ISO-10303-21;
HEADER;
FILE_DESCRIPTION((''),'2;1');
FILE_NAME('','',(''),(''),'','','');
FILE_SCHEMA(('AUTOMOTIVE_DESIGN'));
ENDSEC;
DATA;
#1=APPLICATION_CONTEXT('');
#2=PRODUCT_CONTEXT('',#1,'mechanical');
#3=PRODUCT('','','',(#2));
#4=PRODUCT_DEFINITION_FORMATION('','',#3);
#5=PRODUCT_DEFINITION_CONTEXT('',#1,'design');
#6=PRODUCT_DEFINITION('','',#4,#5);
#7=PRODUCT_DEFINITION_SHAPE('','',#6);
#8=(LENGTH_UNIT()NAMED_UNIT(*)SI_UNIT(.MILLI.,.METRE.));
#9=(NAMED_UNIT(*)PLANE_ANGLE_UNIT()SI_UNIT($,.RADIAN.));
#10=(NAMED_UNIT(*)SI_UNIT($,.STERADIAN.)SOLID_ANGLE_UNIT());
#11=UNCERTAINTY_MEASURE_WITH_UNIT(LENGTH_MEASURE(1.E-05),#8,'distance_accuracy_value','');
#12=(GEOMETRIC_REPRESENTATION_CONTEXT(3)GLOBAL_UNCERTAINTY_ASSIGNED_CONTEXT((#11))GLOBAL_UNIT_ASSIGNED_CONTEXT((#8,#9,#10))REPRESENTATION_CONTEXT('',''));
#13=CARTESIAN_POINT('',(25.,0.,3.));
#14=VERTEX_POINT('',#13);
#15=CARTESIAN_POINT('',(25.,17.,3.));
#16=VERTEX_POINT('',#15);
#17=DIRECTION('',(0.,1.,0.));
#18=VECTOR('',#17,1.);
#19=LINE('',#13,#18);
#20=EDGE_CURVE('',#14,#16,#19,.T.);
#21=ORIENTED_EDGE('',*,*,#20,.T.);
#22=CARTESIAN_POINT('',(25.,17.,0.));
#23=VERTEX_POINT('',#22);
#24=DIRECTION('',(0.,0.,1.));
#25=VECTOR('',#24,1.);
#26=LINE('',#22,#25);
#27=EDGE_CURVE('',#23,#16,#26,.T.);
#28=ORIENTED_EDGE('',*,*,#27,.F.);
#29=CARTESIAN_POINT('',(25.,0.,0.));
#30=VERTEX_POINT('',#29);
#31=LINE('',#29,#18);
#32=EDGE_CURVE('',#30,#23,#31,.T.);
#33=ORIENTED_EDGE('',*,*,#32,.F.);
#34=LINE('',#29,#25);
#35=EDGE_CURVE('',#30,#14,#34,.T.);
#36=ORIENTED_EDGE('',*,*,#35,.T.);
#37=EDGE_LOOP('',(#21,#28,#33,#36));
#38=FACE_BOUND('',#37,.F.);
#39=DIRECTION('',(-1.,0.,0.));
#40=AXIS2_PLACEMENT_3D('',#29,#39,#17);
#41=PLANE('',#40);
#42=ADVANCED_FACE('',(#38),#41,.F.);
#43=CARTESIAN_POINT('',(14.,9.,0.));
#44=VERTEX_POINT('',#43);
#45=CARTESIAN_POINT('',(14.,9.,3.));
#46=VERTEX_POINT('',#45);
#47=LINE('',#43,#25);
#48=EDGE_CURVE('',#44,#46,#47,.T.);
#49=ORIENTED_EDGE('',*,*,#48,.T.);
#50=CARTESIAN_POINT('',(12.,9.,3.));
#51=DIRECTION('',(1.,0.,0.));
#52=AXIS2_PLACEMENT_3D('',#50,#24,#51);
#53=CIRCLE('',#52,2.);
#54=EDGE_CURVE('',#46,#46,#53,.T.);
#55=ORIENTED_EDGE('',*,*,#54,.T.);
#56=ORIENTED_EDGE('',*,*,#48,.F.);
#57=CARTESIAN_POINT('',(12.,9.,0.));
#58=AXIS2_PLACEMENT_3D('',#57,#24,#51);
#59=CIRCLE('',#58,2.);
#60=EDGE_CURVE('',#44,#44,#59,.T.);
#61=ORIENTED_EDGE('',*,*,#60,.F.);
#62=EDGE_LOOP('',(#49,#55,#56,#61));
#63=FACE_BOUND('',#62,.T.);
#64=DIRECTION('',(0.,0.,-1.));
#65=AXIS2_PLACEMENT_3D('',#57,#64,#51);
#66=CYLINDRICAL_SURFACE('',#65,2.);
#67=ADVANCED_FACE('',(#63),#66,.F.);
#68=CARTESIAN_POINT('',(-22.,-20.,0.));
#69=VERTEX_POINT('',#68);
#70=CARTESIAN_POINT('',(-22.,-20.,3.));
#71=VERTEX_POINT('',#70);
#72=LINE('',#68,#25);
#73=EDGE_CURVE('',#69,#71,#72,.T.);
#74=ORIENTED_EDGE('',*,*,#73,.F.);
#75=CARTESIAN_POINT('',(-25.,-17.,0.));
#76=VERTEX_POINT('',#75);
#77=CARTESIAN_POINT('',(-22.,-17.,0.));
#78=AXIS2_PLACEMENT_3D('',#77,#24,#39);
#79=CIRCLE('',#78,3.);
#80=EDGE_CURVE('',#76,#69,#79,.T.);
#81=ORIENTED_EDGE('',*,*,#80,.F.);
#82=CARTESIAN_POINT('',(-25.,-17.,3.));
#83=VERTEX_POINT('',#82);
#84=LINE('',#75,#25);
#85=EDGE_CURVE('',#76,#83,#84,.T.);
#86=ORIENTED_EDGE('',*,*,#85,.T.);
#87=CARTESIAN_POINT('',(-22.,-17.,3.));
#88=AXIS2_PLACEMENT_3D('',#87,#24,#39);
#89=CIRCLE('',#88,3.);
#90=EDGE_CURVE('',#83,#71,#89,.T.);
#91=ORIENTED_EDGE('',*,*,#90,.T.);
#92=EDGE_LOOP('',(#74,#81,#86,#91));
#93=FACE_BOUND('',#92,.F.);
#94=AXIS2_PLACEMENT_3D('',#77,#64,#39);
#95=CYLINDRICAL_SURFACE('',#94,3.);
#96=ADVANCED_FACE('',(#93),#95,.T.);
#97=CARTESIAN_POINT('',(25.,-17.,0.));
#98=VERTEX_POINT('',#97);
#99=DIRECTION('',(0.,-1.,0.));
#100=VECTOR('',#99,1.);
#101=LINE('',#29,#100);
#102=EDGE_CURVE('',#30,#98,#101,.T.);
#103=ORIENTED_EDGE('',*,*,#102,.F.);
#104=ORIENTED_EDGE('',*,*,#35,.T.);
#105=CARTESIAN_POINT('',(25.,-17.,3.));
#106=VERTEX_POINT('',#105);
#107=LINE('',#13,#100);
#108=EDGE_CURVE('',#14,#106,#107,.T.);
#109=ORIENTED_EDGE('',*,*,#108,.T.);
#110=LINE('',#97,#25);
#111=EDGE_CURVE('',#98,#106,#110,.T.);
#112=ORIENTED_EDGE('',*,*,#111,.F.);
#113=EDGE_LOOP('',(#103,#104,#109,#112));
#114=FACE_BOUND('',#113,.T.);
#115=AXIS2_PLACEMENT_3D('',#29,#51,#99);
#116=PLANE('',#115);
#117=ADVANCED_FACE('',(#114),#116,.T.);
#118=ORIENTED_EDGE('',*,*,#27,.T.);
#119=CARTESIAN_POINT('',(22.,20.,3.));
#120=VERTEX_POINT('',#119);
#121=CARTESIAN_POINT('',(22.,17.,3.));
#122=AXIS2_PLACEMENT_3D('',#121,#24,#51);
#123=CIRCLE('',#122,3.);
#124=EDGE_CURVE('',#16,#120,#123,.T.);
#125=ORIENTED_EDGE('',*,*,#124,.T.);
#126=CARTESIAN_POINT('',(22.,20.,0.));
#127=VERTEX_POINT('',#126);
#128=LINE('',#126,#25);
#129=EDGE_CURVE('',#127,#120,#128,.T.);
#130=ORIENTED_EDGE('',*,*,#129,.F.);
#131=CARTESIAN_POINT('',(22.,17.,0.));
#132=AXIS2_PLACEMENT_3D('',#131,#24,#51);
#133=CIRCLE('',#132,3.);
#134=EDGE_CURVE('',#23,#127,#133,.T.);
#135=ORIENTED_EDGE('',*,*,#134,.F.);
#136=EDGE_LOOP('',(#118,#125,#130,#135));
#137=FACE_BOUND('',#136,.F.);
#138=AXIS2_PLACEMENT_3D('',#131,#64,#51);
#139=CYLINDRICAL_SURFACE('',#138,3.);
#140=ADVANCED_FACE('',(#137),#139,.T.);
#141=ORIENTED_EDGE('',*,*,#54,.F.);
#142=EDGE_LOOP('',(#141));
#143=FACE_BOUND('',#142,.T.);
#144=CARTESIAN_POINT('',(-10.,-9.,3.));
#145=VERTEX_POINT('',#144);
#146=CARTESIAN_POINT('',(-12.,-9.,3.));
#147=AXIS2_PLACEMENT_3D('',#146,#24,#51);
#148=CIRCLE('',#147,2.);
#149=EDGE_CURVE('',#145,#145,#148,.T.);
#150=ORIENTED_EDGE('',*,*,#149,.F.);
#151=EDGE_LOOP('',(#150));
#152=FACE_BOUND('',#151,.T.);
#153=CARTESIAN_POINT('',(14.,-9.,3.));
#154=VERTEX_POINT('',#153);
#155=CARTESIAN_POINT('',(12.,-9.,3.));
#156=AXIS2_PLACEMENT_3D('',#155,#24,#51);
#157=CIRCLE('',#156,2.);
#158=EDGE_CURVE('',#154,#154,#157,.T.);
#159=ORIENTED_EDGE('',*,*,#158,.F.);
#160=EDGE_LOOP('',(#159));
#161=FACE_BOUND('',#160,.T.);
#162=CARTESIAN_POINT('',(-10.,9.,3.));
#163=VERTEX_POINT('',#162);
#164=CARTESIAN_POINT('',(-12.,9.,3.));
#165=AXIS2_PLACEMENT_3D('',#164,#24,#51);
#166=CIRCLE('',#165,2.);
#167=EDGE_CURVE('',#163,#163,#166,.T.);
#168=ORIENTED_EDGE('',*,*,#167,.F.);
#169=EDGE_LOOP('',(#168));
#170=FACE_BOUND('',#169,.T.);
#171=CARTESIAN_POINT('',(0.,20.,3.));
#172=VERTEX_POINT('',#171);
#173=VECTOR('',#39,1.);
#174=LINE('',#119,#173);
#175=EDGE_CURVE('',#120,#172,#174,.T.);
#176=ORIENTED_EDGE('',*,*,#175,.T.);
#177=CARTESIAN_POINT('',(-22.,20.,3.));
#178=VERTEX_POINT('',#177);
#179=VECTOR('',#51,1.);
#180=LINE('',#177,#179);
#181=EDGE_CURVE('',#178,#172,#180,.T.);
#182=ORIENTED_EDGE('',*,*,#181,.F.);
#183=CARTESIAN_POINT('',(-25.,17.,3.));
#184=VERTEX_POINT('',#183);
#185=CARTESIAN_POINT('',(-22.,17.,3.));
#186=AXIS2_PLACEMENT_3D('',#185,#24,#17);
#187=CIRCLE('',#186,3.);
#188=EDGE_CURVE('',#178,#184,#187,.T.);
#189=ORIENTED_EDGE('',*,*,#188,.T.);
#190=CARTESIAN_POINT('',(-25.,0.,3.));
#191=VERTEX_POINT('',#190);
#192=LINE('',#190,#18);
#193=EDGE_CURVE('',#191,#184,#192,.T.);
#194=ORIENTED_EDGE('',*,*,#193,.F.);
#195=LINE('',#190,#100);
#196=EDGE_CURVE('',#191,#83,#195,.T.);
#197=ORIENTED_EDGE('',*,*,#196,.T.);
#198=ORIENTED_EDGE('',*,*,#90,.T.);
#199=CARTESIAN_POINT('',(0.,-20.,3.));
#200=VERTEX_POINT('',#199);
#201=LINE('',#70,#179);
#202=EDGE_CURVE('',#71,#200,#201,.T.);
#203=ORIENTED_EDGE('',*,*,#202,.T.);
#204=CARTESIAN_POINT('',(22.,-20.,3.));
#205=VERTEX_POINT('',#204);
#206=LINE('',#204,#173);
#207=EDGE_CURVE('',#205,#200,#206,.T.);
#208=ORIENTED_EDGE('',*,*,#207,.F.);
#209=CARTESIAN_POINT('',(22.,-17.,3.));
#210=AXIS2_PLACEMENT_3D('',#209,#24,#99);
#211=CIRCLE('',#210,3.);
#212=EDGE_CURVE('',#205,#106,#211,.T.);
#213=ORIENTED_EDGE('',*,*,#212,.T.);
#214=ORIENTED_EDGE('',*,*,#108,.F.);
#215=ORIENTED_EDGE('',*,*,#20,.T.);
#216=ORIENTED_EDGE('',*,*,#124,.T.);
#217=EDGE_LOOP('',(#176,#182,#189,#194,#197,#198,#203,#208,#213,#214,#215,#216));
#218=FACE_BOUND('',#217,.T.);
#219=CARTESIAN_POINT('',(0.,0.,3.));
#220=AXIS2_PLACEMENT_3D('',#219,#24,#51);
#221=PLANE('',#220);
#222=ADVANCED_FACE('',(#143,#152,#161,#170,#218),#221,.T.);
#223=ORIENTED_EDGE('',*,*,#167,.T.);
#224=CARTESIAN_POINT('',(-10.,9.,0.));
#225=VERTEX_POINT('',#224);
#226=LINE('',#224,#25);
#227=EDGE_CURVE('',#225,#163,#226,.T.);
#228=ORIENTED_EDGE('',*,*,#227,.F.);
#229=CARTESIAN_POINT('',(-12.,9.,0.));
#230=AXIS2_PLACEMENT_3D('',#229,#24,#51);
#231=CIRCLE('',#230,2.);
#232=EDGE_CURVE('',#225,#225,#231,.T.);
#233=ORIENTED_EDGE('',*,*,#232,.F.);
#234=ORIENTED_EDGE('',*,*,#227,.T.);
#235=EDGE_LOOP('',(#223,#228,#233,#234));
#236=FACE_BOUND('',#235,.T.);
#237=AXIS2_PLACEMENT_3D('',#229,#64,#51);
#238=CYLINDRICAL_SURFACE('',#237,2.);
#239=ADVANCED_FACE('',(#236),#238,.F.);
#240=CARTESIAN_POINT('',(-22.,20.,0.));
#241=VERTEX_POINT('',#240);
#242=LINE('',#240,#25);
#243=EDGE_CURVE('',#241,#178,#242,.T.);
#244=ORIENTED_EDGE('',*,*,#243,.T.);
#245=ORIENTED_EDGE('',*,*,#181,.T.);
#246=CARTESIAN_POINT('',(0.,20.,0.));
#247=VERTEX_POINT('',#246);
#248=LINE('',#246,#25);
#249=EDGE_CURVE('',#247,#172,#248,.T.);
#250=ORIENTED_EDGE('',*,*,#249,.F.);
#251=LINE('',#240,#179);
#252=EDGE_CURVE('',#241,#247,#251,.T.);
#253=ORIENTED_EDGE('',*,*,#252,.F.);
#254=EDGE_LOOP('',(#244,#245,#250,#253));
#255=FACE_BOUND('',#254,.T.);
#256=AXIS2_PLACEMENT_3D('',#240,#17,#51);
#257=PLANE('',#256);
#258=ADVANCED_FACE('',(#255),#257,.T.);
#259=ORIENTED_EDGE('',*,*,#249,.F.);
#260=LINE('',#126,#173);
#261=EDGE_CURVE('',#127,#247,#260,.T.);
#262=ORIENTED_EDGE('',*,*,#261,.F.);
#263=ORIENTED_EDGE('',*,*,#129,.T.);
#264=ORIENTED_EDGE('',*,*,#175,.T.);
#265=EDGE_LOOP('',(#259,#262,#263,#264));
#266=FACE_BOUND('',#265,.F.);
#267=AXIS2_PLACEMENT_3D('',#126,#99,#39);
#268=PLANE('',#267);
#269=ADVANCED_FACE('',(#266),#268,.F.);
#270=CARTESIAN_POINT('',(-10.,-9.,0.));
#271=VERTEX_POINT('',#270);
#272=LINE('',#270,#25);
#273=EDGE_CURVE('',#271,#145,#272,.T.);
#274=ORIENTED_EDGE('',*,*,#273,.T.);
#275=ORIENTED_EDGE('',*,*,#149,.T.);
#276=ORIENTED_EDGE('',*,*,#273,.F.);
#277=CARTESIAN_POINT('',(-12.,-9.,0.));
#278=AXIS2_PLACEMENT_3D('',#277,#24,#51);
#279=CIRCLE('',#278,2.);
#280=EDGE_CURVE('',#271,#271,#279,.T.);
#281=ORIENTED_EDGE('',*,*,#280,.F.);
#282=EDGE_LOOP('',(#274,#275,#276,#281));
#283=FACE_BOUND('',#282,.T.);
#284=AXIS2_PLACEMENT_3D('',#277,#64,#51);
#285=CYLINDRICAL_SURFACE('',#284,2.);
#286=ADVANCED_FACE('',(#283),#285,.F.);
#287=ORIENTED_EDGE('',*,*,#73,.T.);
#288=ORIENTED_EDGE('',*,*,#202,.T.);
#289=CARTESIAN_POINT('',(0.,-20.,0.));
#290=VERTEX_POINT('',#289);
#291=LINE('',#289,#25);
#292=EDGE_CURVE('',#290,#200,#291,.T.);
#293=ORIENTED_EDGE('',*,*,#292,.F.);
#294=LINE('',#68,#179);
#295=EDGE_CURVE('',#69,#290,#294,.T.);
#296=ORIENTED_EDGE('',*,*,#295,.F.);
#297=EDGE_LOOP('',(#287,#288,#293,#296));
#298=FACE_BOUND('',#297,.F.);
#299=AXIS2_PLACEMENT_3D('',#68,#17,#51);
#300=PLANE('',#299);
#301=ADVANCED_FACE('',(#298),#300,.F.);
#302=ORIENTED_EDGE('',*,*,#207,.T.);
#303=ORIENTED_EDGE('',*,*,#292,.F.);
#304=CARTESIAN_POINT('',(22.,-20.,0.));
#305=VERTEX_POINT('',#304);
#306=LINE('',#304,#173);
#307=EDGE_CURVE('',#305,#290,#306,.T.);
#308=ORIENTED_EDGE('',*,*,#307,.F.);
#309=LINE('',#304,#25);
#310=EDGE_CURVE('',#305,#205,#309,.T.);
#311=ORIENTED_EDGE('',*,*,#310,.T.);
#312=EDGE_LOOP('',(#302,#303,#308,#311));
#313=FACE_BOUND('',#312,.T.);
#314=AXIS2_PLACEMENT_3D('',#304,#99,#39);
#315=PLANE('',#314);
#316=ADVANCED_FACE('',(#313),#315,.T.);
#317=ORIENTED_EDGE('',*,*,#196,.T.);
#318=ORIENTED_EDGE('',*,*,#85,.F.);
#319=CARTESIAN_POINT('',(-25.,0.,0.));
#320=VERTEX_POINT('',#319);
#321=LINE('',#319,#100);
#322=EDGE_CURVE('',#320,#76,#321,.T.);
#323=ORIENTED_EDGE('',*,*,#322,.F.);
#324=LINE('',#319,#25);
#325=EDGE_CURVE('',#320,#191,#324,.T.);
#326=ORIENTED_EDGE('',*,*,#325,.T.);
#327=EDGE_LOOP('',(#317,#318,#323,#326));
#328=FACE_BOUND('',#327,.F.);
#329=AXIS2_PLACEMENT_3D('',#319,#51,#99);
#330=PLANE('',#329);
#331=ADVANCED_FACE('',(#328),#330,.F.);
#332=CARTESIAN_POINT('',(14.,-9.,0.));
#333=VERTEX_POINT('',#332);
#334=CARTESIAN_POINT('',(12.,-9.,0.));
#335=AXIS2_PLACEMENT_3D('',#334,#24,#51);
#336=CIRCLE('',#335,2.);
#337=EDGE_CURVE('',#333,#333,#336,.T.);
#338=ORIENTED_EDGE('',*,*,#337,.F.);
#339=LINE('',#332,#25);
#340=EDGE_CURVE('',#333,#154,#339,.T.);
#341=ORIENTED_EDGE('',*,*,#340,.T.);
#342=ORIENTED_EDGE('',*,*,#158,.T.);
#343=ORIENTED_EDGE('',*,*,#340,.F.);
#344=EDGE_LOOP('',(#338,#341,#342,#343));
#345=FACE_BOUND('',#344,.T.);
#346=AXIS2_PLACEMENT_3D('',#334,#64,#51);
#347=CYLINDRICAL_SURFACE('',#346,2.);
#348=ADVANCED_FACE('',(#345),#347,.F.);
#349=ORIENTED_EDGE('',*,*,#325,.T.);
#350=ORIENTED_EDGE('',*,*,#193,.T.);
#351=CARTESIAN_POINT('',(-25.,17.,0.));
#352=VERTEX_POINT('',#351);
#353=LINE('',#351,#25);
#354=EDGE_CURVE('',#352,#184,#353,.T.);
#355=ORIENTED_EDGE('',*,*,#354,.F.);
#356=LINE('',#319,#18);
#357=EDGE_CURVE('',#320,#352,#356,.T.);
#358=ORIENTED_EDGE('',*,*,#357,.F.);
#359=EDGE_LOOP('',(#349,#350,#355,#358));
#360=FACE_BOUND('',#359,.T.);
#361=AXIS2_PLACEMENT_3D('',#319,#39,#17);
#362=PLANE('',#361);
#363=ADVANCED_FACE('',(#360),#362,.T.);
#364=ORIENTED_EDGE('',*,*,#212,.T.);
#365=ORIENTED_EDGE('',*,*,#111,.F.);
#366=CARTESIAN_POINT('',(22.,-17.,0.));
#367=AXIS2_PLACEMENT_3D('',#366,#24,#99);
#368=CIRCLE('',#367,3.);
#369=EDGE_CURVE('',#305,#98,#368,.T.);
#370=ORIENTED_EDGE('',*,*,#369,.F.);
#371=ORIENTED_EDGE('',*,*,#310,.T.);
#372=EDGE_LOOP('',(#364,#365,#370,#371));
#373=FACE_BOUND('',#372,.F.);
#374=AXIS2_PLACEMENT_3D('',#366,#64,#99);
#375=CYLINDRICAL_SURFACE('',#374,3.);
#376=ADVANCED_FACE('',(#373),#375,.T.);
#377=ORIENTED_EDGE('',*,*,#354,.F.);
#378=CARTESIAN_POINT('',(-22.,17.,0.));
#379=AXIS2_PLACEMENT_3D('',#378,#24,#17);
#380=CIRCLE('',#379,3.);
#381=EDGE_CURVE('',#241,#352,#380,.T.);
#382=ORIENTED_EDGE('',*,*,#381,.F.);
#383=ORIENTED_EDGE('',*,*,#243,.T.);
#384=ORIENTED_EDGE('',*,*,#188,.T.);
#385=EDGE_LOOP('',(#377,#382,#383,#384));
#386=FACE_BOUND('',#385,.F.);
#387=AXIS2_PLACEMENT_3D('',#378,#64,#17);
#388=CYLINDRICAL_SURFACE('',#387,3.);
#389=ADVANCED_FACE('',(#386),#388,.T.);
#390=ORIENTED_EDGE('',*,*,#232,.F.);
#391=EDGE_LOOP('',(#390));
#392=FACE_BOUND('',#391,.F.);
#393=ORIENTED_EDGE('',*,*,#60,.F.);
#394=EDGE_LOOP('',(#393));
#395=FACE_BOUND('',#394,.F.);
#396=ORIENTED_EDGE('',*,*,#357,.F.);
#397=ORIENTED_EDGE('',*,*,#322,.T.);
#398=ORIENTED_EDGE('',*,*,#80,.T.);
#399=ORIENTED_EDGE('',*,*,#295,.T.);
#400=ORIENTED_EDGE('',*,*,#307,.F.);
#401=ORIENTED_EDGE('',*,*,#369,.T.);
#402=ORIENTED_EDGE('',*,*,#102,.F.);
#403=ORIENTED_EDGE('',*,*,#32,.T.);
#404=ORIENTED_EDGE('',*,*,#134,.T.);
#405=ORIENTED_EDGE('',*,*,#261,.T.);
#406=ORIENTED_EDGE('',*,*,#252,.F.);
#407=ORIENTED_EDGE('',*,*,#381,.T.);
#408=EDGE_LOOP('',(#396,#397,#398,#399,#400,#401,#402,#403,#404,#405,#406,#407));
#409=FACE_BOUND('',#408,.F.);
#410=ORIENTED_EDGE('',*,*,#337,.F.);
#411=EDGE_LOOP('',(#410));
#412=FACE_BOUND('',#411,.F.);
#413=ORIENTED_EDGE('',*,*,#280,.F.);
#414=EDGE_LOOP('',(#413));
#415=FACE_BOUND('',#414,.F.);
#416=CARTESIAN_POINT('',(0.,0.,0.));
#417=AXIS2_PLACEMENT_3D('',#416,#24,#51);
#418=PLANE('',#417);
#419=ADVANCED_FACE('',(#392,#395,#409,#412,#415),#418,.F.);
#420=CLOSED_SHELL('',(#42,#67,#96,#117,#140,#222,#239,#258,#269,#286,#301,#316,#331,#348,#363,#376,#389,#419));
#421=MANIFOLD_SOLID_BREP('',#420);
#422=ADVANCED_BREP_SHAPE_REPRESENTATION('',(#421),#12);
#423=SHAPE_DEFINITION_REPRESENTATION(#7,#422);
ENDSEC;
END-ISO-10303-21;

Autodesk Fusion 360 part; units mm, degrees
sketch "Sketch1" plane through (0, 0, 0) normal (0, 0, 1) x (1, 0, 0)
  line L0 (0, 0) -> (-25, 0) construction
  line L1 (-25, 0) -> (-25, 17)
  line L2 (-22, 20) -> (0, 20)
  line L3 (0, 20) -> (0, 0) construction
  circle A0 centre (-12, 9) radius 2
  arc A1 (-22, 20) -> (-25, 17) centre (-22, 17) ccw
  circle A2 centre (-12, -9) radius 2
  arc A3 (-25, -17) -> (-22, -20) centre (-22, -17) ccw
  line L4 (-22, -20) -> (0, -20)
  line L5 (-25, 0) -> (-25, -17)
  arc A4 (25, 17) -> (22, 20) centre (22, 17) ccw
  arc A5 (22, -20) -> (25, -17) centre (22, -17) ccw
  line L6 (22, -20) -> (0, -20)
  line L7 (22, 20) -> (0, 20)
  line L8 (25, 0) -> (25, 17)
  circle A6 centre (12, -9) radius 2
  circle A7 centre (12, 9) radius 2
  line L9 (25, 0) -> (25, -17)
  point P0 (-25, 20)
  point P1 (-25, -20)
  point P2 (25, 20)
  point P3 (25, -20)
  dimension "d1" = 20
  dimension "d2" = 25
  dimension "d3" = 12
  dimension "d4" = 9
  dimension "d5" = 4
  dimension "d6" = 3
extrude "Extrude1" add sketch "Sketch1" along normal blind 3
